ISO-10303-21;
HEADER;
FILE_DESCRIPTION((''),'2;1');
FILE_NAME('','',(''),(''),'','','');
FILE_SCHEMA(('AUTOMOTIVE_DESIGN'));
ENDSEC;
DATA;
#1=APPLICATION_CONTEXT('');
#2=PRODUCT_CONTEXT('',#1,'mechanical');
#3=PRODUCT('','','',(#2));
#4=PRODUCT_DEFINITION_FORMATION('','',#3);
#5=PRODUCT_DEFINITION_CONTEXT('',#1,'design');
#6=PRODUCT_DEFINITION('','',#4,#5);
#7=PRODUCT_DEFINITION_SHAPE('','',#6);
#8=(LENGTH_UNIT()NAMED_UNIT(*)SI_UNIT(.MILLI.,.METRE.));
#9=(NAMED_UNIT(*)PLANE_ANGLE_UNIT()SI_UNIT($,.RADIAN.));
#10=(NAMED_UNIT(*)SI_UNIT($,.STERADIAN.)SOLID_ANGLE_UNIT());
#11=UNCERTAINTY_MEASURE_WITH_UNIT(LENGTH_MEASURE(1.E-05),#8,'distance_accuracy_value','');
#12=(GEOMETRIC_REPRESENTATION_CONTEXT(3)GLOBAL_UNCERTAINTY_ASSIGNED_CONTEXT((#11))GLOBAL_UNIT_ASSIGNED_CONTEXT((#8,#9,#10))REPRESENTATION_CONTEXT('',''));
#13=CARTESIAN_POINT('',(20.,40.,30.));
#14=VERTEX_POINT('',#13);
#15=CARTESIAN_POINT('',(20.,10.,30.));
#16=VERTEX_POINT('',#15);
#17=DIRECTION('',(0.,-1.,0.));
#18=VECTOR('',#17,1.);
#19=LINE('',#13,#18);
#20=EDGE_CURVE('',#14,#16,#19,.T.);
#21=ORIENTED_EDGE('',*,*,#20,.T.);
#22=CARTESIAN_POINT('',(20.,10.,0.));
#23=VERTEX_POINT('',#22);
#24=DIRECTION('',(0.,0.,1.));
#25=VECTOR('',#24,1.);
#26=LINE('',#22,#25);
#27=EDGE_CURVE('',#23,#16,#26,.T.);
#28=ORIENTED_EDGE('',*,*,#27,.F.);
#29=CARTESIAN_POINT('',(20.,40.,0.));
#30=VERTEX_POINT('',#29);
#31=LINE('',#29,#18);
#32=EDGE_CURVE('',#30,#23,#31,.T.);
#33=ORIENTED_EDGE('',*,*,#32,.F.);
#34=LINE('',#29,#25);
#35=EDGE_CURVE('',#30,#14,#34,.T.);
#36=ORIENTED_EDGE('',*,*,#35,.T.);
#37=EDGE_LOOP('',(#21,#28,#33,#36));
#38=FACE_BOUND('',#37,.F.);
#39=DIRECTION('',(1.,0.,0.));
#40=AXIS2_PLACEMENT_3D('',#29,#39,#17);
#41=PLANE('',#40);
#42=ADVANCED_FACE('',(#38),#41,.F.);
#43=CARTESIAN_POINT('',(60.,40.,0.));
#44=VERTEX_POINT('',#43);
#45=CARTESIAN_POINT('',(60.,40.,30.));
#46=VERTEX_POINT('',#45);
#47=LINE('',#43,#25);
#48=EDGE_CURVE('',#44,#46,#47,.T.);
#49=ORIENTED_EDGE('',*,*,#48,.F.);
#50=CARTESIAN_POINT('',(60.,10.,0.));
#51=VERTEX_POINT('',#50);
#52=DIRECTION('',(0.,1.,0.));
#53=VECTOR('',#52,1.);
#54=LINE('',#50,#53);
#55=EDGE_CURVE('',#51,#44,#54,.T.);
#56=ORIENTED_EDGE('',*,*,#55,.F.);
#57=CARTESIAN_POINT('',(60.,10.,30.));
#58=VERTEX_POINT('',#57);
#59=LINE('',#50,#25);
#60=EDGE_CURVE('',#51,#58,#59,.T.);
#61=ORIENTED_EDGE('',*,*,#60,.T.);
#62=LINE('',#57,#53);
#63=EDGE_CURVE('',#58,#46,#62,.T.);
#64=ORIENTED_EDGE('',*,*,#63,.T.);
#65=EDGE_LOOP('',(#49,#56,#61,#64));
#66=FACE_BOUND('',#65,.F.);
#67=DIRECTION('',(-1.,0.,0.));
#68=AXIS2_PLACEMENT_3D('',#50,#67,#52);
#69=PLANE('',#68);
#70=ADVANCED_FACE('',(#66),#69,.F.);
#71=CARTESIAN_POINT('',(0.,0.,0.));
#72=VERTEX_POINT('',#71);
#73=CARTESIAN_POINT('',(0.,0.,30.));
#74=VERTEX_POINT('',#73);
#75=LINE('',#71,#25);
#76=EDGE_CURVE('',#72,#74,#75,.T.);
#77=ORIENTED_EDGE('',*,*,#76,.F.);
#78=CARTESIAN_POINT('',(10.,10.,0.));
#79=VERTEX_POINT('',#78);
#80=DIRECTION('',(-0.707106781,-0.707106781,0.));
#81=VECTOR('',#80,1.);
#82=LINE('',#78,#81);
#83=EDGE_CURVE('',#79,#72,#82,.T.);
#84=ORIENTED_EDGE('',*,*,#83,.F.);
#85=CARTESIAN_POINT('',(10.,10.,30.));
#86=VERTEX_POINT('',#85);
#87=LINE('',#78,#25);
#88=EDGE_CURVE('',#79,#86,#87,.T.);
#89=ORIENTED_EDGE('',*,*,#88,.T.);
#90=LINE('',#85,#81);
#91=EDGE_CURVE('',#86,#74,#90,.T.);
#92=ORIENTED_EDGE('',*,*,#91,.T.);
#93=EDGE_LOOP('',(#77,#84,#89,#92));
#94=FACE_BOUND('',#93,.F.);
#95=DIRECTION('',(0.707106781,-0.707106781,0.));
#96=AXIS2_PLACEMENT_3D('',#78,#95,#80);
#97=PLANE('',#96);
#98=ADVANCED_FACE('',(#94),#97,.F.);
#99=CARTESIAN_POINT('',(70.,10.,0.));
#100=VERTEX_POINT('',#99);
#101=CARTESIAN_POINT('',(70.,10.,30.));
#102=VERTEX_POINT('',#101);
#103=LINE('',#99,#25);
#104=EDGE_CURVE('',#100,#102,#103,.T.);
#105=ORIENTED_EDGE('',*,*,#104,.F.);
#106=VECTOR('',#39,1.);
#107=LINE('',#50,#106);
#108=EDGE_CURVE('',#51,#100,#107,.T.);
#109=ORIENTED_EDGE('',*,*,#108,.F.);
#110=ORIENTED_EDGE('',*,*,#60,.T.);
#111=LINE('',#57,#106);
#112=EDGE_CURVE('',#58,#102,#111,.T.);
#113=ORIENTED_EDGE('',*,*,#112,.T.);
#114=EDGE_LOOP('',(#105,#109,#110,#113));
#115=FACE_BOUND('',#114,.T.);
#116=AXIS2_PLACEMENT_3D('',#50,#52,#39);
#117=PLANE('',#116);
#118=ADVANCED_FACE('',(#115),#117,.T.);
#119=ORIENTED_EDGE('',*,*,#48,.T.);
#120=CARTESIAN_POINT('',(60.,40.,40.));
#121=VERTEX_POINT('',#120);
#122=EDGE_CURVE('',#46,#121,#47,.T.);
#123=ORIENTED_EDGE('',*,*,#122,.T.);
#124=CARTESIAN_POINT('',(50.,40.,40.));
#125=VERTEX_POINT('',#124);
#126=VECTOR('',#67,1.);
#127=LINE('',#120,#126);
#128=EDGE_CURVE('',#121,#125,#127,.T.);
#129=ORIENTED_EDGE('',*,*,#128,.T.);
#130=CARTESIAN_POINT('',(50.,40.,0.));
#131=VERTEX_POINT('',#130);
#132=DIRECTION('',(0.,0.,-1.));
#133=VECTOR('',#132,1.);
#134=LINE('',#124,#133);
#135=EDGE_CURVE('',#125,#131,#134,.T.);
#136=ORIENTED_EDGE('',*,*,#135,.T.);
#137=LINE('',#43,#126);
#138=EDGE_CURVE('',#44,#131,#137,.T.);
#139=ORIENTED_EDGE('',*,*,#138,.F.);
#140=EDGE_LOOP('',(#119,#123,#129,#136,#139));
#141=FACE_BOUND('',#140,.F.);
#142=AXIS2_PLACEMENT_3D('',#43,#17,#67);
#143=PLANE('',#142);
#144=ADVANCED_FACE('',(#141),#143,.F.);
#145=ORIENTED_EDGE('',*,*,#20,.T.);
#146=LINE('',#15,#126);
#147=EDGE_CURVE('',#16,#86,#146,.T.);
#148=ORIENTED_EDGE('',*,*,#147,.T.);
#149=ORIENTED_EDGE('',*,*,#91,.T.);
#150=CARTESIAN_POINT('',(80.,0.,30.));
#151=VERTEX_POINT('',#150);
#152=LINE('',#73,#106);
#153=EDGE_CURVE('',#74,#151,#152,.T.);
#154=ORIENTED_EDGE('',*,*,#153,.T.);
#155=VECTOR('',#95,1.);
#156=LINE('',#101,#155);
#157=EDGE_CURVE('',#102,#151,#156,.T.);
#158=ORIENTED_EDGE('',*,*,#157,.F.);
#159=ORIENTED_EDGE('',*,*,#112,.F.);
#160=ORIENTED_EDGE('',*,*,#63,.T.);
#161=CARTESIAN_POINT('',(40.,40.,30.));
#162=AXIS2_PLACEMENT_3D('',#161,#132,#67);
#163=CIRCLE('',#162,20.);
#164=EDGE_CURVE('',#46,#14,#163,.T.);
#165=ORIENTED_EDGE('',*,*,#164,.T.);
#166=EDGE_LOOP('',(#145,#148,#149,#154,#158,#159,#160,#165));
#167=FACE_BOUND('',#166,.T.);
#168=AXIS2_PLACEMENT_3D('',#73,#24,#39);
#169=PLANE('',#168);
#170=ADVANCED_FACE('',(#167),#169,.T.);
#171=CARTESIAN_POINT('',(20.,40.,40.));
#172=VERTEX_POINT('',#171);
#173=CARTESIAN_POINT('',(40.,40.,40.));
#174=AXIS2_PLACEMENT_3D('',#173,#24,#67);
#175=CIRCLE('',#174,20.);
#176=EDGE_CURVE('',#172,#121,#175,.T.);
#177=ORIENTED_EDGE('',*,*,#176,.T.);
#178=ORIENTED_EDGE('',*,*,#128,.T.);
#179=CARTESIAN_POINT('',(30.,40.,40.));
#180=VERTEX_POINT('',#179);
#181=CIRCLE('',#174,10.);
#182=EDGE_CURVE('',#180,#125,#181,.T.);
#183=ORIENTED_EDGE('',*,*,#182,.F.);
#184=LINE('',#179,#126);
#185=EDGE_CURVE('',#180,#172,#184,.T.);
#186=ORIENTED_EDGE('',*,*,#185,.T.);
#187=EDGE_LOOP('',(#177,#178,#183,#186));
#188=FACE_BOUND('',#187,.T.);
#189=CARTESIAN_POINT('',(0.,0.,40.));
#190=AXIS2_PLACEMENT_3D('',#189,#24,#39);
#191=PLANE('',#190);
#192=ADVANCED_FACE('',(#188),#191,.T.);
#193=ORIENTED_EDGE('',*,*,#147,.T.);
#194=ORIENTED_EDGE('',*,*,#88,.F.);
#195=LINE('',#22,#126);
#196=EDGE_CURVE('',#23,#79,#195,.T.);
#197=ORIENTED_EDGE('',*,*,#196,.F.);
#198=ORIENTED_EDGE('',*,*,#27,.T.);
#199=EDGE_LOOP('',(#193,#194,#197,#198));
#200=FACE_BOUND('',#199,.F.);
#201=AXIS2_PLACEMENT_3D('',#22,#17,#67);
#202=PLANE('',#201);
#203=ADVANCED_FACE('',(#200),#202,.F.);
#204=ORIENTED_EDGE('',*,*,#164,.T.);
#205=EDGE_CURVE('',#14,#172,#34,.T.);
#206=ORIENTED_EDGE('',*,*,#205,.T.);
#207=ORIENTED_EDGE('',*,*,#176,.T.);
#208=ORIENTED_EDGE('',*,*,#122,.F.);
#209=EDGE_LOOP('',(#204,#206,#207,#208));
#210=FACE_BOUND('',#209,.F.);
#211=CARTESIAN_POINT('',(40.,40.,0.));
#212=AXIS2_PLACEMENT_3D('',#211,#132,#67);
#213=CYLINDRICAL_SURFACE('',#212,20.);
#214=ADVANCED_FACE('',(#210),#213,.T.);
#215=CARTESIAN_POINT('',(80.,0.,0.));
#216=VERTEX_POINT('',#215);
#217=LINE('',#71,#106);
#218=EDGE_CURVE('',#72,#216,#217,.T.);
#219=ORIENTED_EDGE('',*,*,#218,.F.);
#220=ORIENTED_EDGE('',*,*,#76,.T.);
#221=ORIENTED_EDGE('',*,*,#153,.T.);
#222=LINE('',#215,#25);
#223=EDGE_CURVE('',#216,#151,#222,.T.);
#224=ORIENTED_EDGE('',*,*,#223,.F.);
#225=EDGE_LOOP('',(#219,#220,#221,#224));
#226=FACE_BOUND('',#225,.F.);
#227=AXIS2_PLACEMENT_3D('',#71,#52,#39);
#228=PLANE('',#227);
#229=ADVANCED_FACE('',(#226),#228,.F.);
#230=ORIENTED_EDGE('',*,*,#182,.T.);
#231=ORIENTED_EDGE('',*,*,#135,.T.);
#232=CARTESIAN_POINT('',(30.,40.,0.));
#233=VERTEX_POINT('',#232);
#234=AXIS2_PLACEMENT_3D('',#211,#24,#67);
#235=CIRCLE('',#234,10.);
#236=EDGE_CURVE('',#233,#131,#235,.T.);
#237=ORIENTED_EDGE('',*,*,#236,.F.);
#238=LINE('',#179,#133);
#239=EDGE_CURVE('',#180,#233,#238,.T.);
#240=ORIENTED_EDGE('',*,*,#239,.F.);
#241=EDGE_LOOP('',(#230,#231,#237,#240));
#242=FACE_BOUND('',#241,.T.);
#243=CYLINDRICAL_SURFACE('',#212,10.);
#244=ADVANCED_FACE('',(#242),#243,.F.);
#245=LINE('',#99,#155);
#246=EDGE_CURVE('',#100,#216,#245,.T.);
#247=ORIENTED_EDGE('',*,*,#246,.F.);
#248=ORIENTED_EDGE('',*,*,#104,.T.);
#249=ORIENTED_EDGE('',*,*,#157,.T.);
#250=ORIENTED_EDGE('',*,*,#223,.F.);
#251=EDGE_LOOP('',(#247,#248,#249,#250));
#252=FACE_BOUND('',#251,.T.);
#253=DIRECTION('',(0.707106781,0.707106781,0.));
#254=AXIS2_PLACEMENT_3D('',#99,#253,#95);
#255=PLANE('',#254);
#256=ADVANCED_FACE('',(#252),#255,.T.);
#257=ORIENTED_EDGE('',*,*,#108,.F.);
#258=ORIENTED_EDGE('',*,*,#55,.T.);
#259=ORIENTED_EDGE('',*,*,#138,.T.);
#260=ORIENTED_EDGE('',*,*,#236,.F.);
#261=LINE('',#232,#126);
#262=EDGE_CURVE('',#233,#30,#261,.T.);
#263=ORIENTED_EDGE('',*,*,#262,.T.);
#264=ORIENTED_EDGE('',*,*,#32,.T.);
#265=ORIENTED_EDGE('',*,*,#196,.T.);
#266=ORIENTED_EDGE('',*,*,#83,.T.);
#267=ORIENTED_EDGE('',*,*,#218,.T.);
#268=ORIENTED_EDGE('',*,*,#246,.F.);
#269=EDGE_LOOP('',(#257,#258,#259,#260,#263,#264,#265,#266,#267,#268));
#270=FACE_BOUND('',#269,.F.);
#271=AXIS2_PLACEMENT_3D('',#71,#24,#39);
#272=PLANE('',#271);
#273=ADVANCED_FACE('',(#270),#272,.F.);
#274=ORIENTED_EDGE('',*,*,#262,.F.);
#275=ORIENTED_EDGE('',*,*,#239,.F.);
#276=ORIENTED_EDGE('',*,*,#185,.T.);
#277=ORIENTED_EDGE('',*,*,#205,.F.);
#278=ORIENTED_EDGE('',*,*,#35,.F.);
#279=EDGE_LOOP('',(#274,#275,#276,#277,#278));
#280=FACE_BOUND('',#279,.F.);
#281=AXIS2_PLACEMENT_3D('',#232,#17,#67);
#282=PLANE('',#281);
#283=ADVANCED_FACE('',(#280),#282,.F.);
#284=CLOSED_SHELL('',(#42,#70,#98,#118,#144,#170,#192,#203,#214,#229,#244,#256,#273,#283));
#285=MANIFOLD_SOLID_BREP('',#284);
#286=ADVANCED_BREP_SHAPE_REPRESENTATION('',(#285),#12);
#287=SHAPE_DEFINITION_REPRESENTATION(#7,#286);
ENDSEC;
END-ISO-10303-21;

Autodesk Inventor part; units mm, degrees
ref_plane "YZ Plane" through (0, 0, 0) normal (1, 0, 0) x (0, 1, 0)
ref_plane "XZ Plane" through (0, 0, 0) normal (0, 1, 0) x (-1, 0, 0)
ref_plane "XY Plane" through (0, 0, 0) normal (0, 0, 1) x (1, 0, 0)
sketch "草圖1" plane through (0, 0, 0) normal (0, 0, 1) x (1, 0, 0)
  line L0 (0, 0) -> (80, 0)
  line L1 (60, 10) -> (60, 40)
  line L2 (20, 40) -> (20, 10)
  line L3 (20, 10) -> (10, 10)
  line L4 (10, 10) -> (0, 0)
  line L5 (60, 10) -> (70, 10)
  line L6 (70, 10) -> (80, 0)
  arc A0 (20, 40) -> (60, 40) centre (40, 40) ccw
  arc A1 (30, 40) -> (50, 40) centre (40, 40) ccw
  line L7 (60, 40) -> (50, 40)
  line L8 (30, 40) -> (20, 40)
  dimension "d0" = 80
  dimension "d1" = 45
  dimension "d2" = 10
  dimension "d4" = 40
  dimension "d6" = 30
  dimension "d14" = 40
  dimension "d15" = 10
  dimension "d16" = 20
extrude "擠出1" add sketch "草圖1" along normal blind 30
extrude "擠出2" add sketch "草圖1" along normal blind 40 contours L8 A1 L7 A0
properties part number "1" material "鋼、碳鋼"
